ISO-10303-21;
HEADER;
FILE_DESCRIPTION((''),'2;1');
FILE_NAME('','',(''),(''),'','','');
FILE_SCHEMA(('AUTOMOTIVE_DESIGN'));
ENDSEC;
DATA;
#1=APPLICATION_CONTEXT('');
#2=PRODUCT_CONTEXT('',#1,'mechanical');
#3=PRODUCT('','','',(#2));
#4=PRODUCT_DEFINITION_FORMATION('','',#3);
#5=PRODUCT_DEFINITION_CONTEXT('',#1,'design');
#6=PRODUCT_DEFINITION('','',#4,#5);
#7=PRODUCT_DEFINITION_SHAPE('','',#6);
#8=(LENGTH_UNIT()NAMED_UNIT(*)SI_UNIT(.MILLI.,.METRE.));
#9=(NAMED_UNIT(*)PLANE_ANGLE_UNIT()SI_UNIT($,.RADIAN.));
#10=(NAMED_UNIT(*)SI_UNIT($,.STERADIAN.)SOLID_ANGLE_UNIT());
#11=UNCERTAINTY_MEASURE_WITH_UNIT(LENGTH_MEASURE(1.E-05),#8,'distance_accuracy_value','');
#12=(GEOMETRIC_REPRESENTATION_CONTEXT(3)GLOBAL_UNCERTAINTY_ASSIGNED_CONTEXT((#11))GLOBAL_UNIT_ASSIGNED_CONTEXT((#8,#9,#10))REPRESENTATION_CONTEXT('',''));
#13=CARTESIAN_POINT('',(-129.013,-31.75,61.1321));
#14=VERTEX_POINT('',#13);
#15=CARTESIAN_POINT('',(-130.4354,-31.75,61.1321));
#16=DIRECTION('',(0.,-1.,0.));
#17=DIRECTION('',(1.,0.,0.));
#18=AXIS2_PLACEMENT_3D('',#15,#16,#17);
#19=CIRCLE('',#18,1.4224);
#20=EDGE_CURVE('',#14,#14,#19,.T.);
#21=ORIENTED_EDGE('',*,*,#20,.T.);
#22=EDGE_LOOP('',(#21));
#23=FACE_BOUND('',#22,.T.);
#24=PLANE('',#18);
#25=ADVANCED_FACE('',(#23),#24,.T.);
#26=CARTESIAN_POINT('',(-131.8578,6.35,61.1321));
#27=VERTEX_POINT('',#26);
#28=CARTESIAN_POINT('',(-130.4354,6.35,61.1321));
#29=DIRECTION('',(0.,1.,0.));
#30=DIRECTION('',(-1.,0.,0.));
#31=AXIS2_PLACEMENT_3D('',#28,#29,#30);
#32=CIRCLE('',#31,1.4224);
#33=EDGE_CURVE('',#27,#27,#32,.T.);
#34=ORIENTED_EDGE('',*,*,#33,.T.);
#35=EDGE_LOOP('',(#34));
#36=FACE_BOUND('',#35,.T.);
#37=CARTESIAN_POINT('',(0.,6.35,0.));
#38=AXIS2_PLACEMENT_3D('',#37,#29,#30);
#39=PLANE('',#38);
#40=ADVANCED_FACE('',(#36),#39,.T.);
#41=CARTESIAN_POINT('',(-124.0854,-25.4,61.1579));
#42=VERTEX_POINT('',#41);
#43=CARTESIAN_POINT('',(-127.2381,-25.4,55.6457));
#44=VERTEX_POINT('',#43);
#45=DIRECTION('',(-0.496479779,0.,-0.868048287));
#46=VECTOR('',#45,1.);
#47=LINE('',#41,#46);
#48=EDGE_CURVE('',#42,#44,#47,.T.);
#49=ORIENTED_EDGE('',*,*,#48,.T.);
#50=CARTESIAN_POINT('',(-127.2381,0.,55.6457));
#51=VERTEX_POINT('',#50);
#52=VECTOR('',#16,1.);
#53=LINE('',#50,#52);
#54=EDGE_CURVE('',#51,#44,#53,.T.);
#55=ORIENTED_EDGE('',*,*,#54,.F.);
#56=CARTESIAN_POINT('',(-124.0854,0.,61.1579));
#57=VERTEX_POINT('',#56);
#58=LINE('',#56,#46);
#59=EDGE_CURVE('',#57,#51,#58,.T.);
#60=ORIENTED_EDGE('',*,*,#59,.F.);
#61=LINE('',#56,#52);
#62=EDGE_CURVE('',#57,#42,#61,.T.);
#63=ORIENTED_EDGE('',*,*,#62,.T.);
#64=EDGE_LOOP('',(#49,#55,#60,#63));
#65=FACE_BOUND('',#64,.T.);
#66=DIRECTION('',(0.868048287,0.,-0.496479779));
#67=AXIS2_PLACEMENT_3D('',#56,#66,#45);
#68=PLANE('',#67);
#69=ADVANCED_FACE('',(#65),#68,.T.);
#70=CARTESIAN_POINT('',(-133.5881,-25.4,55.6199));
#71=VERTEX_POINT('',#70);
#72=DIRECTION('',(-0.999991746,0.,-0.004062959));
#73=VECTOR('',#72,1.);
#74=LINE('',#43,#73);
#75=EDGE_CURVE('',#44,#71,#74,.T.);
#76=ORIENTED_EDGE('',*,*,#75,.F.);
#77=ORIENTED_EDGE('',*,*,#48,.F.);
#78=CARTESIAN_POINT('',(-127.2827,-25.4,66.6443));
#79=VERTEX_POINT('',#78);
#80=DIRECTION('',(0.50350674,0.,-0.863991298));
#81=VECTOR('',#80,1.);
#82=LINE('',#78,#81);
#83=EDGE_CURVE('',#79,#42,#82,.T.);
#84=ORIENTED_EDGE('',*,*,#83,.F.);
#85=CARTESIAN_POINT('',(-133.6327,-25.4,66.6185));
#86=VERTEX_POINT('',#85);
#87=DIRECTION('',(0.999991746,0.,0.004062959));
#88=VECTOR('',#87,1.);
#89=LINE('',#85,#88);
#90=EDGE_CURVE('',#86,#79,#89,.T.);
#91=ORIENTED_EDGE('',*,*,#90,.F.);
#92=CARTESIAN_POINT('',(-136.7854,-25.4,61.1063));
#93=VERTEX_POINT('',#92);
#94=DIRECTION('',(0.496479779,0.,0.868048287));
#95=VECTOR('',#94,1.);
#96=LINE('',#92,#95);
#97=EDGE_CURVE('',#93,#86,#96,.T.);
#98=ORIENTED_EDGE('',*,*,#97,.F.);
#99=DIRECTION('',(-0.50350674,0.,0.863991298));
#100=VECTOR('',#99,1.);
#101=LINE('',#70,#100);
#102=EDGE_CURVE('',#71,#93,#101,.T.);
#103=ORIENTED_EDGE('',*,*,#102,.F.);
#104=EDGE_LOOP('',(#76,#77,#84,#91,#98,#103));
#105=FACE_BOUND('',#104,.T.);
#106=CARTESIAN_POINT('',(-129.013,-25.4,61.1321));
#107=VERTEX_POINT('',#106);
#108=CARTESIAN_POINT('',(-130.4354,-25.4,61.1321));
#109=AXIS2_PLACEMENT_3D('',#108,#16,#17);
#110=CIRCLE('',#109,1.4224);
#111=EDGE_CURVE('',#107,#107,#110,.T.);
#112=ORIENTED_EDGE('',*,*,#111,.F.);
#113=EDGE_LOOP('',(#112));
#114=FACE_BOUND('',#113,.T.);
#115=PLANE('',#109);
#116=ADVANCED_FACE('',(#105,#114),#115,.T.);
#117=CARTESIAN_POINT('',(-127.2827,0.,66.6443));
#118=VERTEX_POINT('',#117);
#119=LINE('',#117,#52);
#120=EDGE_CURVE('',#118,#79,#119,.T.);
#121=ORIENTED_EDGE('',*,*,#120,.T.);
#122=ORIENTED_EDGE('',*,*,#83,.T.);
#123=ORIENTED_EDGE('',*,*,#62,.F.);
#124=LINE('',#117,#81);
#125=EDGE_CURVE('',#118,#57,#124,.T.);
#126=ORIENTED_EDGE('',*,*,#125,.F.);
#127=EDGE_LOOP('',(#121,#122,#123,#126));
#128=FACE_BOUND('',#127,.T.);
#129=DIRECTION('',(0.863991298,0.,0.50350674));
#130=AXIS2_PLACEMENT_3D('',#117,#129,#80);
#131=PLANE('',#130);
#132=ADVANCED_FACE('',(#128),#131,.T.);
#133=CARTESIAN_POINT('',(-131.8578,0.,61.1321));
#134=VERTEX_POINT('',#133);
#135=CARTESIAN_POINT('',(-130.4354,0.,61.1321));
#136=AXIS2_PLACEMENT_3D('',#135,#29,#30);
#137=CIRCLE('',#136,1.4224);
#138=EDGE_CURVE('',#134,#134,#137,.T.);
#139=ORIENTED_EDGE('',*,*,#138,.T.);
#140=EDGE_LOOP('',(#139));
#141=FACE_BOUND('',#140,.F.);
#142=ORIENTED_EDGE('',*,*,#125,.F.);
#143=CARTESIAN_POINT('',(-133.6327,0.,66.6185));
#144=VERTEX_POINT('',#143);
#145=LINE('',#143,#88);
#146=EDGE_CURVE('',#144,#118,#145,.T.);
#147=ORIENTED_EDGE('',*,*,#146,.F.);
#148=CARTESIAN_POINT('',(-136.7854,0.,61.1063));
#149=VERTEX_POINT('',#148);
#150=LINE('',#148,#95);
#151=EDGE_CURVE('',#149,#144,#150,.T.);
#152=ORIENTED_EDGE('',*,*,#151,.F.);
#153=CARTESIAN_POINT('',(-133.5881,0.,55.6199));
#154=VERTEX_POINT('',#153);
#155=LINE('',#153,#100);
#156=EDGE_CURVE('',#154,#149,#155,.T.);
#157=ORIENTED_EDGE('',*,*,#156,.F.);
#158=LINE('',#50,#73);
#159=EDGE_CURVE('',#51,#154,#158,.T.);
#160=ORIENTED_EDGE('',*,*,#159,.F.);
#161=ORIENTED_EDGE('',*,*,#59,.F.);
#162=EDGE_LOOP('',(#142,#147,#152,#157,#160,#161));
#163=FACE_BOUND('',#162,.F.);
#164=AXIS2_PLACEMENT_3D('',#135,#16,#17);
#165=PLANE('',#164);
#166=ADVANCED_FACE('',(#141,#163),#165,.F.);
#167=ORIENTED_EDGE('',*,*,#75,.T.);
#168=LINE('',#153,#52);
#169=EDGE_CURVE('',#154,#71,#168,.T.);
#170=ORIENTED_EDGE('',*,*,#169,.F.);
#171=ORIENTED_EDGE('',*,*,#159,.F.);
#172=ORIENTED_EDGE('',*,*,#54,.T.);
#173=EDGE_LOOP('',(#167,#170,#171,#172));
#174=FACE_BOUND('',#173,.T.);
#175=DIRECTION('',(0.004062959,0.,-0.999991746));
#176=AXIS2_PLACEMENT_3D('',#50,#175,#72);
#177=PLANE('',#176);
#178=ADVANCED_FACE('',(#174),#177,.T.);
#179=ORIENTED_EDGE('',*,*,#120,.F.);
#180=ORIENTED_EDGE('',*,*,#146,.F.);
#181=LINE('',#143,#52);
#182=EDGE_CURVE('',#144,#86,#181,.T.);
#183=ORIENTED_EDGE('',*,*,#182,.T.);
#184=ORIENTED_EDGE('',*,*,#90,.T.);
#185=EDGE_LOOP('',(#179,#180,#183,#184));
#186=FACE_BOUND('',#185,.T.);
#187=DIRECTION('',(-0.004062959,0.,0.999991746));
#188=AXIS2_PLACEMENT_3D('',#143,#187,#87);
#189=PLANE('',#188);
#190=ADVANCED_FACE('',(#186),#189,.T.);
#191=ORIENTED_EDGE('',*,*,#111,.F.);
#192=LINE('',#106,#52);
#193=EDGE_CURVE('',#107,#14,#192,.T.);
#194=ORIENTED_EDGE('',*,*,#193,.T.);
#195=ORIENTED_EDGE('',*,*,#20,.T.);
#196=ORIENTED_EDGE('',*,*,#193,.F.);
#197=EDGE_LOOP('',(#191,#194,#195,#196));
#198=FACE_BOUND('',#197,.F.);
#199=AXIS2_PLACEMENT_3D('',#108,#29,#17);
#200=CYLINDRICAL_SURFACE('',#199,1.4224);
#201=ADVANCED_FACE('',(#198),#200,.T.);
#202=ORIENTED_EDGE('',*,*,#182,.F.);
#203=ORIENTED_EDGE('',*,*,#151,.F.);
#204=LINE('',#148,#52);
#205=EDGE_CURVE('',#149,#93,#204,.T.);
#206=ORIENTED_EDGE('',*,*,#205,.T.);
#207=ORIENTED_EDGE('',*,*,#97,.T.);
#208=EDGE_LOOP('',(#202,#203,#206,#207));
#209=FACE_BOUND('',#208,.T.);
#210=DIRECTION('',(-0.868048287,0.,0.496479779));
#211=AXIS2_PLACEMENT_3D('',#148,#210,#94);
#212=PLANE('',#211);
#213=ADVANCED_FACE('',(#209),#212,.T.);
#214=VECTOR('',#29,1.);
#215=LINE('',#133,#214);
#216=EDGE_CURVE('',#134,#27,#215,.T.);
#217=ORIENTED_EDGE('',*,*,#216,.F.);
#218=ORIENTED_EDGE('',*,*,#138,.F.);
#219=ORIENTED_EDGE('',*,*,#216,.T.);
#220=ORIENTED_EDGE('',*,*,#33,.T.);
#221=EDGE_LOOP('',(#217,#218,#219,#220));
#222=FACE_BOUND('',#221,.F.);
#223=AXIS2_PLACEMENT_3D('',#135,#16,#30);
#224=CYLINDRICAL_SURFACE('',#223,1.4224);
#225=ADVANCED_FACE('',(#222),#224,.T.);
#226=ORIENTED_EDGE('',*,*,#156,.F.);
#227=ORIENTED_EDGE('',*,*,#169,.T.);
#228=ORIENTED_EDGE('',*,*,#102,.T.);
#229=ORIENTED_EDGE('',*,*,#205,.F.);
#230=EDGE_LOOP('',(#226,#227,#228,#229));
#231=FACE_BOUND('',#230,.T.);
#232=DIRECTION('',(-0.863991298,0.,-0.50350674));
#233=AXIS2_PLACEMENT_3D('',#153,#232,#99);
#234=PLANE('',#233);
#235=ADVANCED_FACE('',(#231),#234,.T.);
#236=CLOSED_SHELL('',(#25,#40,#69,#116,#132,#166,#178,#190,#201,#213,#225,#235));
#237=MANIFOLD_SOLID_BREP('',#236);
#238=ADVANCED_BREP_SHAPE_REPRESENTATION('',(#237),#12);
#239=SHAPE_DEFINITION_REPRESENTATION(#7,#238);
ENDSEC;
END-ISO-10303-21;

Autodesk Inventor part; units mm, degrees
ref_plane "YZ Plane" through (0, 0, 0) normal (1, 0, 0) x (0, 1, 0)
ref_plane "XZ Plane" through (0, 0, 0) normal (0, 1, 0) x (-1, 0, 0)
ref_plane "XY Plane" through (0, 0, 0) normal (0, 0, 1) x (1, 0, 0)
sketch "Sketch1" plane through (0, 0, 0) normal (0, 1, 0) x (-1, 0, 0)
  circle A0 centre (130.4354, 61.1321) radius 1.4224
  point P0 (0, 0)
  dimension "d0" = 2.8448
extrude "Extrusion1" add sketch "Sketch1" along normal blind 6.35
sketch "Sketch2" plane through (-130.4354, 0, 61.1321) normal (0, -1, 0) x (1, 0, 0)
  circle A0 centre (0, 0) radius 1.4224 construction
  line L0 (3.1527, 5.5122) -> (6.35, 0.0258)
  line L1 (6.35, 0.0258) -> (3.1973, -5.4864)
  line L2 (3.1973, -5.4864) -> (-3.1527, -5.5122)
  line L3 (-3.1527, -5.5122) -> (-6.35, -0.0258)
  line L4 (-6.35, -0.0258) -> (-3.1973, 5.4864)
  line L5 (-3.1973, 5.4864) -> (3.1527, 5.5122)
  point P0 (130.4354, -61.1321)
  dimension "d3" = 6.35
extrude "Extrusion2" add sketch "Sketch2" along normal blind 25.4
sketch "Sketch3" plane through (-130.4354, -25.4, 61.1321) normal (0, -1, 0) x (1, 0, 0)
  circle A0 centre (0, 0) radius 1.4224 projected
  point P0 (130.4354, -61.1321)
extrude "Extrusion3" add sketch "Sketch3" along normal blind 6.35
